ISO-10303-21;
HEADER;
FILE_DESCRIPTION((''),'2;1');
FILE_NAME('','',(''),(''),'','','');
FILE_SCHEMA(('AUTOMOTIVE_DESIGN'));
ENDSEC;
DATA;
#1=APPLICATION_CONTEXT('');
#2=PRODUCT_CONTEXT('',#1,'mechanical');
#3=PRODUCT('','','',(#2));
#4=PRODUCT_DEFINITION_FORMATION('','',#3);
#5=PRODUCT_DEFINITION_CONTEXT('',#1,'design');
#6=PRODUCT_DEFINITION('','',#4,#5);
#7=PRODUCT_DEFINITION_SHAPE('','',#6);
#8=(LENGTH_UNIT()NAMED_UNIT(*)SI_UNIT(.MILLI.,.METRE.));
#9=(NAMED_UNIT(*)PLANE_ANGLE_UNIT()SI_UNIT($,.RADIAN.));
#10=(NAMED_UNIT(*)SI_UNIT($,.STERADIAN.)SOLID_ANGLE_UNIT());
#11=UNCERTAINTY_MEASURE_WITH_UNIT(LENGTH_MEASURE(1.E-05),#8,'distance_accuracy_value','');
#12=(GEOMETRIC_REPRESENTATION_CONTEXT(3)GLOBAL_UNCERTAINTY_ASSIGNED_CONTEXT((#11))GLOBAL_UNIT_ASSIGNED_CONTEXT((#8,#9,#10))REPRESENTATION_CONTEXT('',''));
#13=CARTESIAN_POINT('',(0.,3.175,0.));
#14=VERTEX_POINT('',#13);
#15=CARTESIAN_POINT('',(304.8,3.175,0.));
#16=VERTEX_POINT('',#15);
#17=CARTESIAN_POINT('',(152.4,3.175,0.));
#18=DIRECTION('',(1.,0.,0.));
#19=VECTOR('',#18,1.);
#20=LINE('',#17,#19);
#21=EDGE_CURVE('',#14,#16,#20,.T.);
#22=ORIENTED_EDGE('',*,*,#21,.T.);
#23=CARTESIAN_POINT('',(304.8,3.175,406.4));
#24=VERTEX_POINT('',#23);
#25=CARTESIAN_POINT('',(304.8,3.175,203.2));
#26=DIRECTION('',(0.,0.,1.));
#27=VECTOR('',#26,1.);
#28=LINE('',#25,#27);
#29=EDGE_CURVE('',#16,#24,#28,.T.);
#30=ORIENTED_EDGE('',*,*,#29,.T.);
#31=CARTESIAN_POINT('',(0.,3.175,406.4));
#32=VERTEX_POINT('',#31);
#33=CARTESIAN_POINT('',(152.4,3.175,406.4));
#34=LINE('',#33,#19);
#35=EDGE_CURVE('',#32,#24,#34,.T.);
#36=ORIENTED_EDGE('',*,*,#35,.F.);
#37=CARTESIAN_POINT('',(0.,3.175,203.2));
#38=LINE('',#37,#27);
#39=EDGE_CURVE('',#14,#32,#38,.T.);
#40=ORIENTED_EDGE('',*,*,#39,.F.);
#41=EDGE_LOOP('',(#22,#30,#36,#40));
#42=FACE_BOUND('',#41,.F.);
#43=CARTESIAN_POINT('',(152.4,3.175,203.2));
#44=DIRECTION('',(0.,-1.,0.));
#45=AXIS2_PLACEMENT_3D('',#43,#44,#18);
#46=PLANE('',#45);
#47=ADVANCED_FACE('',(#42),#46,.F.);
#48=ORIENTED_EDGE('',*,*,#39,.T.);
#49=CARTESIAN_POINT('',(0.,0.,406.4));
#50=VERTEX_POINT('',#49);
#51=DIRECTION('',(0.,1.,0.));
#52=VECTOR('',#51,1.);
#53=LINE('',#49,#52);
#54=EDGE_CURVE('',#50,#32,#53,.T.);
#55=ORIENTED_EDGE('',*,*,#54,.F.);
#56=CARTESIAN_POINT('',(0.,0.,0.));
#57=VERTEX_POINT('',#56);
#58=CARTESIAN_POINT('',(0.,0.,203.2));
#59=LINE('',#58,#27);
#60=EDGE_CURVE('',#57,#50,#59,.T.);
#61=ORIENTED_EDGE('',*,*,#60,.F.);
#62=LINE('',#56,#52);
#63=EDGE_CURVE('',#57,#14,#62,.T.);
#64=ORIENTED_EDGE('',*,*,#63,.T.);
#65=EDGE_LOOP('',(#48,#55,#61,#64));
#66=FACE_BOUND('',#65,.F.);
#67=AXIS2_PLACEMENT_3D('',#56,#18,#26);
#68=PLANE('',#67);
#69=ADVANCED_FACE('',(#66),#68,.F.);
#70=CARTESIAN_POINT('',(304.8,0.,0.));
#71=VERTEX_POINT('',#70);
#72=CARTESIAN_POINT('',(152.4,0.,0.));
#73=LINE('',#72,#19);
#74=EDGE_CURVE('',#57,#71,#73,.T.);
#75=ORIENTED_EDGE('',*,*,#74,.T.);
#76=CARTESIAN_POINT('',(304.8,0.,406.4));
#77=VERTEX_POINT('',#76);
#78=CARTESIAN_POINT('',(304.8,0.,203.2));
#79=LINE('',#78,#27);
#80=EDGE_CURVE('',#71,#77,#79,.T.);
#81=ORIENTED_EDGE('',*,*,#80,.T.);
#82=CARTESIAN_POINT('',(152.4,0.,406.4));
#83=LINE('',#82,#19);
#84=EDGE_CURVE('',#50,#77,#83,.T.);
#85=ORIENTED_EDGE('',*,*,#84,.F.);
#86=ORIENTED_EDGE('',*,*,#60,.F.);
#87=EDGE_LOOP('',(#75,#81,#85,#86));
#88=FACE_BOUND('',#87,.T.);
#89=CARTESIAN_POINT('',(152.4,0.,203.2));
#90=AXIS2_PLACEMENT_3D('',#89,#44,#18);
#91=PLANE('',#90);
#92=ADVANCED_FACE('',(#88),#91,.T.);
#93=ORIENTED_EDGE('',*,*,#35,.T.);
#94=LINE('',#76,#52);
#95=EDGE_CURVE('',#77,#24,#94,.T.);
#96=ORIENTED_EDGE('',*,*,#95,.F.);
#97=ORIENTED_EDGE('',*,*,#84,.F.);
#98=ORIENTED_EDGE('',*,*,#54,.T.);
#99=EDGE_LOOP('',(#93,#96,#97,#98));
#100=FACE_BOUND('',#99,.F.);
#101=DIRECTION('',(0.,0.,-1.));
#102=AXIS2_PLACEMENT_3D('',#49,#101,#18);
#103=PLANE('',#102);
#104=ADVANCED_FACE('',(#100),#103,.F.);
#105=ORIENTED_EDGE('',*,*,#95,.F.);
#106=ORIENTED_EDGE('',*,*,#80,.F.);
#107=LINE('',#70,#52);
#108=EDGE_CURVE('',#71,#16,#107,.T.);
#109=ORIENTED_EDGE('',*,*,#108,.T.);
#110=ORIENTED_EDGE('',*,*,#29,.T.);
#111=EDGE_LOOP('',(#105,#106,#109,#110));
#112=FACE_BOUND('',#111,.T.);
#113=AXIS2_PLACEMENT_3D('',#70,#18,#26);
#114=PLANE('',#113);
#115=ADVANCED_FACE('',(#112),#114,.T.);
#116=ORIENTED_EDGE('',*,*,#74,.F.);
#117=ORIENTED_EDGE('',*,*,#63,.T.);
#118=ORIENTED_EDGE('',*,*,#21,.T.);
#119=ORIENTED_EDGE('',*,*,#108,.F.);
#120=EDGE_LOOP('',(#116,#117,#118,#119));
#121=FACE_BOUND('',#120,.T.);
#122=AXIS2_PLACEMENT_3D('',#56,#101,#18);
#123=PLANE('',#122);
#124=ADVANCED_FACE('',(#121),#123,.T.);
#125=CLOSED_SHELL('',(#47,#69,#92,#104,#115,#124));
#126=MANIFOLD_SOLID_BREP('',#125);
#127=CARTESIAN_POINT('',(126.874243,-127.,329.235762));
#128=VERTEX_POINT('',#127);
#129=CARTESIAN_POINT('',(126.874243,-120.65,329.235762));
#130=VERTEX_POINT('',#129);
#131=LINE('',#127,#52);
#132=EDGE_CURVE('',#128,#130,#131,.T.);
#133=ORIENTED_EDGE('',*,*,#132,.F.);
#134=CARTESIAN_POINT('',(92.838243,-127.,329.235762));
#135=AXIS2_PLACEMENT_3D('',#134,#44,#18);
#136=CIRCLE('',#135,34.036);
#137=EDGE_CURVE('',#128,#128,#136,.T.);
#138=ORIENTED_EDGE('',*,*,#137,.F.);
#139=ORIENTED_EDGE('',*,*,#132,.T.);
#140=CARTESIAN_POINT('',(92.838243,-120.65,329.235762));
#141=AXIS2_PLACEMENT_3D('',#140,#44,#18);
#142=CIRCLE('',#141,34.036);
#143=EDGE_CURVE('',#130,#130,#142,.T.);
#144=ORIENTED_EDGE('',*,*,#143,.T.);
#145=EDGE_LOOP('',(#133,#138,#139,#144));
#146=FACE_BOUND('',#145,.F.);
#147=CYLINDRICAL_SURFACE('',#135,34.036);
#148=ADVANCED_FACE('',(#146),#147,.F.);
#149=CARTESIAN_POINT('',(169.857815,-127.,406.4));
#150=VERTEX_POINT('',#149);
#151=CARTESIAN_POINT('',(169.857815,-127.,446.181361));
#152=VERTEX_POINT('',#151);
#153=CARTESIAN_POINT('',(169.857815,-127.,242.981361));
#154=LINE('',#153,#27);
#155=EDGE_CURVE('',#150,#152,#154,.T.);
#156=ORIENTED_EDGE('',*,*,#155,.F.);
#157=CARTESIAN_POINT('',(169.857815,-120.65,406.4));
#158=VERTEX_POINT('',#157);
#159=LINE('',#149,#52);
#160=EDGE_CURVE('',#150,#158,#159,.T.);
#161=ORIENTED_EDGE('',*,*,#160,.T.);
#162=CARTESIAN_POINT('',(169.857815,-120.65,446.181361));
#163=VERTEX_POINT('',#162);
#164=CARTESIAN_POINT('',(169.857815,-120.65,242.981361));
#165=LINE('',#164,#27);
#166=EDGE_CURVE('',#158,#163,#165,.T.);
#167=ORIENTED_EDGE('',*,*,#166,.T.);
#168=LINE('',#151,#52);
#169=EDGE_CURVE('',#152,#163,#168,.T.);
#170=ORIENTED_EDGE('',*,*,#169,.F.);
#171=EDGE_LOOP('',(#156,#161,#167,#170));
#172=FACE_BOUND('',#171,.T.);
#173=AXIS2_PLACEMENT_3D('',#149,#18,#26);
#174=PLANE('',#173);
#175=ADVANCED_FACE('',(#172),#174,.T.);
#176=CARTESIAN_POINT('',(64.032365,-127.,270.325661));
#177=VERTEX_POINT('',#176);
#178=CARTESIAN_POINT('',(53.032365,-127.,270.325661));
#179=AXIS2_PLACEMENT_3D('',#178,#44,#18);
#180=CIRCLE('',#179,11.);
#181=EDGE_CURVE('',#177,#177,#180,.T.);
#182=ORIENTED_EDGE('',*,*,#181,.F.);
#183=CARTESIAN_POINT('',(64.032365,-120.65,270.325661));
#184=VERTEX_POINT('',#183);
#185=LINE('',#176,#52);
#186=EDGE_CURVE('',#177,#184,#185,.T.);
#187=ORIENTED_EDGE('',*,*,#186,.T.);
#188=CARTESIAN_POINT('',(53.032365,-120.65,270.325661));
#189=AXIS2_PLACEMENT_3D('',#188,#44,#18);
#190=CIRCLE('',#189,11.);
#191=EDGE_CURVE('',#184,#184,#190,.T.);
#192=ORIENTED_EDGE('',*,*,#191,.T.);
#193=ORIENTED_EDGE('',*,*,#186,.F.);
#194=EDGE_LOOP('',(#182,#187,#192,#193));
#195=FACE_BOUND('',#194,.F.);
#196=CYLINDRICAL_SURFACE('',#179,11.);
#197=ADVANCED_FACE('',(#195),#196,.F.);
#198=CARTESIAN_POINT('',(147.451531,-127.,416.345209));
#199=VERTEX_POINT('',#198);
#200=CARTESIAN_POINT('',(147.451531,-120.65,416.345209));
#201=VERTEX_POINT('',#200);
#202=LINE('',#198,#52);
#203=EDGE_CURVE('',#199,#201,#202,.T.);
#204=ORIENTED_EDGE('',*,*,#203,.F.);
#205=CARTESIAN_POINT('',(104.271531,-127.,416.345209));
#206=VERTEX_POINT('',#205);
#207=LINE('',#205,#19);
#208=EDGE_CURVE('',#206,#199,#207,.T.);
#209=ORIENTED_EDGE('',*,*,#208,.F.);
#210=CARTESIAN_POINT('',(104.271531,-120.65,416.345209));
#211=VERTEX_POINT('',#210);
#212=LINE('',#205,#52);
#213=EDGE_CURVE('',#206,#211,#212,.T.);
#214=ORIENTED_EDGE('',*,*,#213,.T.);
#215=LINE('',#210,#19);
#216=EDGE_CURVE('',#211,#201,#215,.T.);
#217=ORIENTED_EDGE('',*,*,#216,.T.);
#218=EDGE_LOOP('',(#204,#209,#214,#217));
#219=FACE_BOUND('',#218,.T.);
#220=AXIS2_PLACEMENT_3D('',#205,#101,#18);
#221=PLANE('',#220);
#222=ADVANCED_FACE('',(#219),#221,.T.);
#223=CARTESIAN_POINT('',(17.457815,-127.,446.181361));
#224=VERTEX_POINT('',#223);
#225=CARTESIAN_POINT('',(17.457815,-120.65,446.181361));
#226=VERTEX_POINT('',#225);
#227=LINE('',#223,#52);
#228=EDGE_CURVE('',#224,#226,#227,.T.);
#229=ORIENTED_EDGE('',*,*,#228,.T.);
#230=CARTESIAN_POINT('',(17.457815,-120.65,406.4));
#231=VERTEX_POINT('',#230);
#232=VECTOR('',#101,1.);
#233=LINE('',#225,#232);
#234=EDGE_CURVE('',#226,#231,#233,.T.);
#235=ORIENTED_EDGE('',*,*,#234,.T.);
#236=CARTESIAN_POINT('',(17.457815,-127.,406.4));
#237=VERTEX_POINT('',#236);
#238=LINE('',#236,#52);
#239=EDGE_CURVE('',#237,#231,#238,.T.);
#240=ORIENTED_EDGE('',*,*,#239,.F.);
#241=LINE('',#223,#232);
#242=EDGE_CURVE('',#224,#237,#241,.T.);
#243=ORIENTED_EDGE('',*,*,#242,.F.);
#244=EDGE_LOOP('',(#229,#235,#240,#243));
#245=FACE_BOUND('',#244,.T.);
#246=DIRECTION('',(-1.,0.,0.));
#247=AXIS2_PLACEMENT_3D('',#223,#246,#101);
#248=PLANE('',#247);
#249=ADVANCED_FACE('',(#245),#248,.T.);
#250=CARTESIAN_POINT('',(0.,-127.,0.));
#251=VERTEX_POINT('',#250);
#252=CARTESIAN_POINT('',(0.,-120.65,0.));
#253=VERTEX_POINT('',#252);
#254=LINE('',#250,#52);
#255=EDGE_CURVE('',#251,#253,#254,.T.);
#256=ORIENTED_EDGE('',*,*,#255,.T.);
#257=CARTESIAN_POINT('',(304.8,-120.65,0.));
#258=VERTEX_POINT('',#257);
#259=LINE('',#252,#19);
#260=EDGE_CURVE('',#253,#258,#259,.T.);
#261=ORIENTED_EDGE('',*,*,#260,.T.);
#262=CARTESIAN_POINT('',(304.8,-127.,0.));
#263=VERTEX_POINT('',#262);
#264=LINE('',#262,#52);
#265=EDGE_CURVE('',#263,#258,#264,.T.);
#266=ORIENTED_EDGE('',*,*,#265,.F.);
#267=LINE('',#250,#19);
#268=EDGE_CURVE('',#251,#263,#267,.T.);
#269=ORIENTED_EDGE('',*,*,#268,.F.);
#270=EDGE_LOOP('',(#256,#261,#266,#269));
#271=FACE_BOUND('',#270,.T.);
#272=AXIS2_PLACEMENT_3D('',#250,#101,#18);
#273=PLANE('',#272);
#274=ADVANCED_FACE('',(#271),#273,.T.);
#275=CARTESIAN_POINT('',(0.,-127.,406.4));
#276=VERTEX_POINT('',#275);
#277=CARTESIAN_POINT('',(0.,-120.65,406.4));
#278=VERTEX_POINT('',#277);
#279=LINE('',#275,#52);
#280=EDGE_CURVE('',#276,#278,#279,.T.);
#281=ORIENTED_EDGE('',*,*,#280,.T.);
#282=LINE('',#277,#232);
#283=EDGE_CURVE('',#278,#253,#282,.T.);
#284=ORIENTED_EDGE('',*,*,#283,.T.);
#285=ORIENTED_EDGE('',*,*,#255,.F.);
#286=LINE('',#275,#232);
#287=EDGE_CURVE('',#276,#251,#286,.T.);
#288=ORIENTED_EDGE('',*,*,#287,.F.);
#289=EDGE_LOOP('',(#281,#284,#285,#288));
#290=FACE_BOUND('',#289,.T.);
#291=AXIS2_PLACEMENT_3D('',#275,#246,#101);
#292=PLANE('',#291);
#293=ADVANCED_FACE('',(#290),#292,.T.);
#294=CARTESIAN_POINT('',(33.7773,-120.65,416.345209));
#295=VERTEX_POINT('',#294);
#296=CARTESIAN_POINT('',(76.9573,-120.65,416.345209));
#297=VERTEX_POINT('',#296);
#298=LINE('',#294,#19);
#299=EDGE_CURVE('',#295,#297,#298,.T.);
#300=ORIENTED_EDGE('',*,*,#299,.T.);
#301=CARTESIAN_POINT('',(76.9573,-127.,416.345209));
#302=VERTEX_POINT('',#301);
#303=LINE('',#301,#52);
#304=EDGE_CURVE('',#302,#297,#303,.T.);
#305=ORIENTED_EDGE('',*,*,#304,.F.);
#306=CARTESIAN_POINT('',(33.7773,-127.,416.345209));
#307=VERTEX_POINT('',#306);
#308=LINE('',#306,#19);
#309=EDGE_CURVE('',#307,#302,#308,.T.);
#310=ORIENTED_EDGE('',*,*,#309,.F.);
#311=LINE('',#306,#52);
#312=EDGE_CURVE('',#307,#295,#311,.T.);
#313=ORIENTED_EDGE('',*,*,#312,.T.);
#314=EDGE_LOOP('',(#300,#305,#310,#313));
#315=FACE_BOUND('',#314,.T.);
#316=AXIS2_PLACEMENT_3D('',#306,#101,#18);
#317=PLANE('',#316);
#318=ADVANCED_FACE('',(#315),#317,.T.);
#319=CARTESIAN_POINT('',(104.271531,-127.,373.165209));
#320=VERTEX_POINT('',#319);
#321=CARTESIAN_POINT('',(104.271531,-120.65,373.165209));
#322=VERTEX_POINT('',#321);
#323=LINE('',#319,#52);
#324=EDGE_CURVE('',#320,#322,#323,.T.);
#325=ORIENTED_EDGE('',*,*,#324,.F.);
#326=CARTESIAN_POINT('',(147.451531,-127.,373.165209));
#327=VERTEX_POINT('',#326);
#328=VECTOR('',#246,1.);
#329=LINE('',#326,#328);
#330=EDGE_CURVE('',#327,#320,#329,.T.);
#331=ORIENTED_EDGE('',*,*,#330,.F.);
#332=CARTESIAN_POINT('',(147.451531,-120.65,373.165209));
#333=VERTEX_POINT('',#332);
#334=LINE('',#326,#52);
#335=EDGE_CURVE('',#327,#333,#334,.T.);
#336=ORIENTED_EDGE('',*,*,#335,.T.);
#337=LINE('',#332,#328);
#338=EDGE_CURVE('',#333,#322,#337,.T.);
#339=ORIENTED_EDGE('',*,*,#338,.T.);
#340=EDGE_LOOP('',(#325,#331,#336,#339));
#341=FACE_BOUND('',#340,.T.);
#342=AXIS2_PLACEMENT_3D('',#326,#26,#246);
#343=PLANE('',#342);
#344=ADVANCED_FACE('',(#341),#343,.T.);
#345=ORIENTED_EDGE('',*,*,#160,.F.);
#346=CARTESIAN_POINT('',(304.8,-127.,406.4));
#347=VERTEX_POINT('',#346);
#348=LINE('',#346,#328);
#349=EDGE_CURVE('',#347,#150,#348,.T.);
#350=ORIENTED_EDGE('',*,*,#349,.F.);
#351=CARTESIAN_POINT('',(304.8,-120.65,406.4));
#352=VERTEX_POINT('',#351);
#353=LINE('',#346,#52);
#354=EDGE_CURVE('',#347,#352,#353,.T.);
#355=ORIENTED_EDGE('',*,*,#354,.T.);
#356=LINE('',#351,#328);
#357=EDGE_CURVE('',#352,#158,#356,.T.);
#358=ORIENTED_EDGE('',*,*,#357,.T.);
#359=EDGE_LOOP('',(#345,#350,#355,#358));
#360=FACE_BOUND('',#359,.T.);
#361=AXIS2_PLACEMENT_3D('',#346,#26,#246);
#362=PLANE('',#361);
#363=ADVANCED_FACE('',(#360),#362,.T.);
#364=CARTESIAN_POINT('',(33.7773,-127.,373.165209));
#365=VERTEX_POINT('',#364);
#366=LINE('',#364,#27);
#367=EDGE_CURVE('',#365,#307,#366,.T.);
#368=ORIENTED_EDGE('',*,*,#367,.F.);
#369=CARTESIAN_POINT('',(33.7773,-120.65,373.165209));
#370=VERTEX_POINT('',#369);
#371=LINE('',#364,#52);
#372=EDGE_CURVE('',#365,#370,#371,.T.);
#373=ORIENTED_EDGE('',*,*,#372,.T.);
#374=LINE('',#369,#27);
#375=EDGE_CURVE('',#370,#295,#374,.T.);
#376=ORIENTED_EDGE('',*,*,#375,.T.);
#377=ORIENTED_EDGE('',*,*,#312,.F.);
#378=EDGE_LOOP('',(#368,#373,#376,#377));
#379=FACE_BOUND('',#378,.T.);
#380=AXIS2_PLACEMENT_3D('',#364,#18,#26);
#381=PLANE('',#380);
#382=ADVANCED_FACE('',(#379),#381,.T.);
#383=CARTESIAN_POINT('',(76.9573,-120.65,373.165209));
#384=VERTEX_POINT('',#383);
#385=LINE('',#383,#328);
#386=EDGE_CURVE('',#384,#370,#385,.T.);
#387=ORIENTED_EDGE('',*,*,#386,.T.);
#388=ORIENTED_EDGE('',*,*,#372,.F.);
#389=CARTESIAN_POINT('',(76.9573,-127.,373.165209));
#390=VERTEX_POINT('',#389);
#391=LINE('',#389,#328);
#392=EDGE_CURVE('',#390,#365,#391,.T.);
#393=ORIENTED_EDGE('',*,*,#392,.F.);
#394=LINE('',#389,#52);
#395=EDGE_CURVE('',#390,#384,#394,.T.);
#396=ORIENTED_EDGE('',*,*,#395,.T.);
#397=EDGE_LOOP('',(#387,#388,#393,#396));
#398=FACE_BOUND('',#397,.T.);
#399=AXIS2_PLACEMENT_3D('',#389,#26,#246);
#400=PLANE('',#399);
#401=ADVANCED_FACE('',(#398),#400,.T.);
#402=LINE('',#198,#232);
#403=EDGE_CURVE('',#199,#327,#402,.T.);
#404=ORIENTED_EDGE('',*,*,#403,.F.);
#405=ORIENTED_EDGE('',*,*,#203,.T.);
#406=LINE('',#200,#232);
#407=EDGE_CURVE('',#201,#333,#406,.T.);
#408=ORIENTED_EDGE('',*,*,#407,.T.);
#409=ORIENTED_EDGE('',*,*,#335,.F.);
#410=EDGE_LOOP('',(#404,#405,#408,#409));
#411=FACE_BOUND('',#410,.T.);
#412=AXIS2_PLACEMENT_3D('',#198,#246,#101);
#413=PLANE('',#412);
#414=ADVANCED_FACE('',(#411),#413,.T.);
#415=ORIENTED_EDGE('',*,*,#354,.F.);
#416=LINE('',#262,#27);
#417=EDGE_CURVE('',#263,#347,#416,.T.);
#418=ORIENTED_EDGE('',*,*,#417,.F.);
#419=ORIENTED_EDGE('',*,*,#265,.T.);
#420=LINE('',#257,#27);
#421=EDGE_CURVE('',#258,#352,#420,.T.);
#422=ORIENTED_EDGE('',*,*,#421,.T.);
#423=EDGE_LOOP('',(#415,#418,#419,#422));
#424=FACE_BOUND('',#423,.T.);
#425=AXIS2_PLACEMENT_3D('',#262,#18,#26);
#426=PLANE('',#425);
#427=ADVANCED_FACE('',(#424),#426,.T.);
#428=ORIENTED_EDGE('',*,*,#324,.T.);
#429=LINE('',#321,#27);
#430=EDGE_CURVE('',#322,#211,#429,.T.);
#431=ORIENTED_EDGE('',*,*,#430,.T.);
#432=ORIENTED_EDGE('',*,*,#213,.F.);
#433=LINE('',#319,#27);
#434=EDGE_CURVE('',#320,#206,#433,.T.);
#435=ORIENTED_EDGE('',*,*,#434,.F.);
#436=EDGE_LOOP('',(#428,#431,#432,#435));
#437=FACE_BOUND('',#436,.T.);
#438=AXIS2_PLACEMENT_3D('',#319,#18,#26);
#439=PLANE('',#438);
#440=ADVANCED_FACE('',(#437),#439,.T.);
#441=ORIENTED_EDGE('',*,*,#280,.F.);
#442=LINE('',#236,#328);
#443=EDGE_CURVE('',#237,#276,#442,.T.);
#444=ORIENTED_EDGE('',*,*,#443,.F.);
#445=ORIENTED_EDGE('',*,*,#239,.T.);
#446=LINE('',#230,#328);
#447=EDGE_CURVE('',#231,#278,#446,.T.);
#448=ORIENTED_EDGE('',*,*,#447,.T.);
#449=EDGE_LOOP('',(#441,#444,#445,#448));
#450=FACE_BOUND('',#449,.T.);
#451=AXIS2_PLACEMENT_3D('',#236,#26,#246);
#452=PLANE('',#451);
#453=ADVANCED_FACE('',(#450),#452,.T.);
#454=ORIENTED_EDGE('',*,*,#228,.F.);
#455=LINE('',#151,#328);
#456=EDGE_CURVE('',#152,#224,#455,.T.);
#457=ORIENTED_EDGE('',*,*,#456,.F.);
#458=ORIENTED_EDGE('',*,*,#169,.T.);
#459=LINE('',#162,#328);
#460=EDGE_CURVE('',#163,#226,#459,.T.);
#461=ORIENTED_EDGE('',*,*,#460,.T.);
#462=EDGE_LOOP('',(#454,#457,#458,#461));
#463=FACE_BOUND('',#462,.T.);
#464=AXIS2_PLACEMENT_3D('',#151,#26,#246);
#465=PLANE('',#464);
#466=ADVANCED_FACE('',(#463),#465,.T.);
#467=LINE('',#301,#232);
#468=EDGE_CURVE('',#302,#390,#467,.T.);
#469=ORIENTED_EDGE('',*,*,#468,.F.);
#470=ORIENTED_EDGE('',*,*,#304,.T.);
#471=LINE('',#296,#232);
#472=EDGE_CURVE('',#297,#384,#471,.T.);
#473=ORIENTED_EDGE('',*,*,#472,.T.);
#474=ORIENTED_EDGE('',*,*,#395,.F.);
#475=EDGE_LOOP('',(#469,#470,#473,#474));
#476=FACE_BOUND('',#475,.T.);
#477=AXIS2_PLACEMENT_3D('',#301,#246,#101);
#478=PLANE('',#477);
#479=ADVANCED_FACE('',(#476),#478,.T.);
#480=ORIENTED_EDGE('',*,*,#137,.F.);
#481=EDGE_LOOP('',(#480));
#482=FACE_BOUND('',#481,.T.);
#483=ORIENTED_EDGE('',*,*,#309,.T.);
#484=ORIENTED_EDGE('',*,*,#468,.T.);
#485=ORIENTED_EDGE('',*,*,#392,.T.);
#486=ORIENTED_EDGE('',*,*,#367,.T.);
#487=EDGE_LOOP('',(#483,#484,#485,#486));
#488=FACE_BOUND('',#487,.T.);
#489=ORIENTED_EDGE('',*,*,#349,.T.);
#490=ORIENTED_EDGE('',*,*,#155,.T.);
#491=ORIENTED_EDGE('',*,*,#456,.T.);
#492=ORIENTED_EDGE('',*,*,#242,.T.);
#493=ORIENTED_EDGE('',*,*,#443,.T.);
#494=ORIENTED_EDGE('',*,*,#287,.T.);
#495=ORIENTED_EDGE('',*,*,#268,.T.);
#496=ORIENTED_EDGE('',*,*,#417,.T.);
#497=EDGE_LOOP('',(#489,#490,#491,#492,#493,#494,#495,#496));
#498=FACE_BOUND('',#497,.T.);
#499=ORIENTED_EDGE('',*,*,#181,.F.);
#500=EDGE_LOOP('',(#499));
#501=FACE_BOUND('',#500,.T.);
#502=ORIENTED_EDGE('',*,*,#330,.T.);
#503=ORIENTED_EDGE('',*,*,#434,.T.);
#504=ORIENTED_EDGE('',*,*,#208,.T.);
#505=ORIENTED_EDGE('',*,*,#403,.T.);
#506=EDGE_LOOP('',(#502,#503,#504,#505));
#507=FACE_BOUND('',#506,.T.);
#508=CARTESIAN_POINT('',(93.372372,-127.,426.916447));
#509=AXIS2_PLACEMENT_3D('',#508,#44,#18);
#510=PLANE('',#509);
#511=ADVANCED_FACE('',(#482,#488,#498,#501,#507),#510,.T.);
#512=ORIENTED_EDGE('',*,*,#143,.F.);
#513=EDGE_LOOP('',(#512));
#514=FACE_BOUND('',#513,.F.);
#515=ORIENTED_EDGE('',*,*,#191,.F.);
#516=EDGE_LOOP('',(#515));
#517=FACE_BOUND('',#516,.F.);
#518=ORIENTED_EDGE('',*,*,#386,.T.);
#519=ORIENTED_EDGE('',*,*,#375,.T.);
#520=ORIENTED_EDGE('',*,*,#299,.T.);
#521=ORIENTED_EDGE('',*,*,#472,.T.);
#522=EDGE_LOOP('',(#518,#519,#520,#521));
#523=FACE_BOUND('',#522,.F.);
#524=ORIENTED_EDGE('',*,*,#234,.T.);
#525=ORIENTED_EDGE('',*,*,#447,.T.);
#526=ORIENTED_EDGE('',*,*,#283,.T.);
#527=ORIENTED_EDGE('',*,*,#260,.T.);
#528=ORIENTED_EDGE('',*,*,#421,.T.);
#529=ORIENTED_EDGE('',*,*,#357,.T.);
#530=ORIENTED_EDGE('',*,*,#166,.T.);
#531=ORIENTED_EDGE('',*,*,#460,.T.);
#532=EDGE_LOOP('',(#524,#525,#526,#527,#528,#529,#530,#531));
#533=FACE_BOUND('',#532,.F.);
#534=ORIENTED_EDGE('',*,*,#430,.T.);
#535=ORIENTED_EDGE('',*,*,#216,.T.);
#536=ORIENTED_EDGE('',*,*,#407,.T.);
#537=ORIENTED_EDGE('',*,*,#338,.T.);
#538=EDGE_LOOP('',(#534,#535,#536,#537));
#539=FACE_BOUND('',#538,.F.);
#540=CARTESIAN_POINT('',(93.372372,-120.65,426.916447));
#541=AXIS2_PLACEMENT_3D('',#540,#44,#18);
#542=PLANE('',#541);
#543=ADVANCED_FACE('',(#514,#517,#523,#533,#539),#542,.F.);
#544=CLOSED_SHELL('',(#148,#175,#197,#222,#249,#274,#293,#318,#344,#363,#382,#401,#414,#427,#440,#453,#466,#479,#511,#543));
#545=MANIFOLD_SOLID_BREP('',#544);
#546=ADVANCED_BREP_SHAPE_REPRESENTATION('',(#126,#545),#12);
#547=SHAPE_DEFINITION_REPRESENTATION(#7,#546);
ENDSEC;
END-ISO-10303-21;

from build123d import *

# Parameters (mm, degrees)
F0_W     = 304.8
F0_H     = 406.4
F1_DEPTH = 3.175
F3_R     = 11
F3_R_2   = 34.036
F5_DEPTH = 6.35


with BuildPart() as f1:
    # F0 (on Front) → F1 (new body)
    with BuildSketch(Plane.XZ):
        with Locations((152.4, 203.2)):
            Rectangle(F0_W, F0_H)
    extrude(amount=-F1_DEPTH)


with BuildPart() as f5:
    # F3 (on offset) → F5 (new body)
    with BuildSketch(Plane.XZ.offset(127)):
        Polygon((33.7773003054, 406.4), (33.7773003054, 416.3452088833), (76.9573003054, 416.3452088833), (76.9573003054, 406.4), (104.271531105, 406.4), (104.271531105, 416.3452088833), (147.451531105, 416.3452088833), (147.451531105, 406.4), (169.857814908, 406.4), (169.857814908, 446.1813612461), (17.457814908, 446.1813612461), (17.457814908, 406.4), align=None)
        Polygon((33.7773003054, 373.1652088833), (33.7773003054, 406.4), (17.457814908, 406.4), (17.457814908, 242.9813612461), (169.857814908, 242.9813612461), (169.857814908, 406.4), (147.451531105, 406.4), (147.451531105, 373.1652088833), (104.271531105, 373.1652088833), (104.271531105, 406.4), (76.9573003054, 406.4), (76.9573003054, 373.1652088833), align=None)
        with Locations((53.0323646963, 270.3256607056)):
            Circle(F3_R, mode=Mode.SUBTRACT)
        with Locations((92.83824265, 329.2357623577)):
            Circle(F3_R_2, mode=Mode.SUBTRACT)
        Polygon((17.457814908, 242.9813612461), (17.457814908, 406.4), (0, 406.4), (0, 0), (304.8, 0), (304.8, 406.4), (169.857814908, 406.4), (169.857814908, 242.9813612461), align=None)
    extrude(amount=-F5_DEPTH)


solid = Compound([f1.part, f5.part])
